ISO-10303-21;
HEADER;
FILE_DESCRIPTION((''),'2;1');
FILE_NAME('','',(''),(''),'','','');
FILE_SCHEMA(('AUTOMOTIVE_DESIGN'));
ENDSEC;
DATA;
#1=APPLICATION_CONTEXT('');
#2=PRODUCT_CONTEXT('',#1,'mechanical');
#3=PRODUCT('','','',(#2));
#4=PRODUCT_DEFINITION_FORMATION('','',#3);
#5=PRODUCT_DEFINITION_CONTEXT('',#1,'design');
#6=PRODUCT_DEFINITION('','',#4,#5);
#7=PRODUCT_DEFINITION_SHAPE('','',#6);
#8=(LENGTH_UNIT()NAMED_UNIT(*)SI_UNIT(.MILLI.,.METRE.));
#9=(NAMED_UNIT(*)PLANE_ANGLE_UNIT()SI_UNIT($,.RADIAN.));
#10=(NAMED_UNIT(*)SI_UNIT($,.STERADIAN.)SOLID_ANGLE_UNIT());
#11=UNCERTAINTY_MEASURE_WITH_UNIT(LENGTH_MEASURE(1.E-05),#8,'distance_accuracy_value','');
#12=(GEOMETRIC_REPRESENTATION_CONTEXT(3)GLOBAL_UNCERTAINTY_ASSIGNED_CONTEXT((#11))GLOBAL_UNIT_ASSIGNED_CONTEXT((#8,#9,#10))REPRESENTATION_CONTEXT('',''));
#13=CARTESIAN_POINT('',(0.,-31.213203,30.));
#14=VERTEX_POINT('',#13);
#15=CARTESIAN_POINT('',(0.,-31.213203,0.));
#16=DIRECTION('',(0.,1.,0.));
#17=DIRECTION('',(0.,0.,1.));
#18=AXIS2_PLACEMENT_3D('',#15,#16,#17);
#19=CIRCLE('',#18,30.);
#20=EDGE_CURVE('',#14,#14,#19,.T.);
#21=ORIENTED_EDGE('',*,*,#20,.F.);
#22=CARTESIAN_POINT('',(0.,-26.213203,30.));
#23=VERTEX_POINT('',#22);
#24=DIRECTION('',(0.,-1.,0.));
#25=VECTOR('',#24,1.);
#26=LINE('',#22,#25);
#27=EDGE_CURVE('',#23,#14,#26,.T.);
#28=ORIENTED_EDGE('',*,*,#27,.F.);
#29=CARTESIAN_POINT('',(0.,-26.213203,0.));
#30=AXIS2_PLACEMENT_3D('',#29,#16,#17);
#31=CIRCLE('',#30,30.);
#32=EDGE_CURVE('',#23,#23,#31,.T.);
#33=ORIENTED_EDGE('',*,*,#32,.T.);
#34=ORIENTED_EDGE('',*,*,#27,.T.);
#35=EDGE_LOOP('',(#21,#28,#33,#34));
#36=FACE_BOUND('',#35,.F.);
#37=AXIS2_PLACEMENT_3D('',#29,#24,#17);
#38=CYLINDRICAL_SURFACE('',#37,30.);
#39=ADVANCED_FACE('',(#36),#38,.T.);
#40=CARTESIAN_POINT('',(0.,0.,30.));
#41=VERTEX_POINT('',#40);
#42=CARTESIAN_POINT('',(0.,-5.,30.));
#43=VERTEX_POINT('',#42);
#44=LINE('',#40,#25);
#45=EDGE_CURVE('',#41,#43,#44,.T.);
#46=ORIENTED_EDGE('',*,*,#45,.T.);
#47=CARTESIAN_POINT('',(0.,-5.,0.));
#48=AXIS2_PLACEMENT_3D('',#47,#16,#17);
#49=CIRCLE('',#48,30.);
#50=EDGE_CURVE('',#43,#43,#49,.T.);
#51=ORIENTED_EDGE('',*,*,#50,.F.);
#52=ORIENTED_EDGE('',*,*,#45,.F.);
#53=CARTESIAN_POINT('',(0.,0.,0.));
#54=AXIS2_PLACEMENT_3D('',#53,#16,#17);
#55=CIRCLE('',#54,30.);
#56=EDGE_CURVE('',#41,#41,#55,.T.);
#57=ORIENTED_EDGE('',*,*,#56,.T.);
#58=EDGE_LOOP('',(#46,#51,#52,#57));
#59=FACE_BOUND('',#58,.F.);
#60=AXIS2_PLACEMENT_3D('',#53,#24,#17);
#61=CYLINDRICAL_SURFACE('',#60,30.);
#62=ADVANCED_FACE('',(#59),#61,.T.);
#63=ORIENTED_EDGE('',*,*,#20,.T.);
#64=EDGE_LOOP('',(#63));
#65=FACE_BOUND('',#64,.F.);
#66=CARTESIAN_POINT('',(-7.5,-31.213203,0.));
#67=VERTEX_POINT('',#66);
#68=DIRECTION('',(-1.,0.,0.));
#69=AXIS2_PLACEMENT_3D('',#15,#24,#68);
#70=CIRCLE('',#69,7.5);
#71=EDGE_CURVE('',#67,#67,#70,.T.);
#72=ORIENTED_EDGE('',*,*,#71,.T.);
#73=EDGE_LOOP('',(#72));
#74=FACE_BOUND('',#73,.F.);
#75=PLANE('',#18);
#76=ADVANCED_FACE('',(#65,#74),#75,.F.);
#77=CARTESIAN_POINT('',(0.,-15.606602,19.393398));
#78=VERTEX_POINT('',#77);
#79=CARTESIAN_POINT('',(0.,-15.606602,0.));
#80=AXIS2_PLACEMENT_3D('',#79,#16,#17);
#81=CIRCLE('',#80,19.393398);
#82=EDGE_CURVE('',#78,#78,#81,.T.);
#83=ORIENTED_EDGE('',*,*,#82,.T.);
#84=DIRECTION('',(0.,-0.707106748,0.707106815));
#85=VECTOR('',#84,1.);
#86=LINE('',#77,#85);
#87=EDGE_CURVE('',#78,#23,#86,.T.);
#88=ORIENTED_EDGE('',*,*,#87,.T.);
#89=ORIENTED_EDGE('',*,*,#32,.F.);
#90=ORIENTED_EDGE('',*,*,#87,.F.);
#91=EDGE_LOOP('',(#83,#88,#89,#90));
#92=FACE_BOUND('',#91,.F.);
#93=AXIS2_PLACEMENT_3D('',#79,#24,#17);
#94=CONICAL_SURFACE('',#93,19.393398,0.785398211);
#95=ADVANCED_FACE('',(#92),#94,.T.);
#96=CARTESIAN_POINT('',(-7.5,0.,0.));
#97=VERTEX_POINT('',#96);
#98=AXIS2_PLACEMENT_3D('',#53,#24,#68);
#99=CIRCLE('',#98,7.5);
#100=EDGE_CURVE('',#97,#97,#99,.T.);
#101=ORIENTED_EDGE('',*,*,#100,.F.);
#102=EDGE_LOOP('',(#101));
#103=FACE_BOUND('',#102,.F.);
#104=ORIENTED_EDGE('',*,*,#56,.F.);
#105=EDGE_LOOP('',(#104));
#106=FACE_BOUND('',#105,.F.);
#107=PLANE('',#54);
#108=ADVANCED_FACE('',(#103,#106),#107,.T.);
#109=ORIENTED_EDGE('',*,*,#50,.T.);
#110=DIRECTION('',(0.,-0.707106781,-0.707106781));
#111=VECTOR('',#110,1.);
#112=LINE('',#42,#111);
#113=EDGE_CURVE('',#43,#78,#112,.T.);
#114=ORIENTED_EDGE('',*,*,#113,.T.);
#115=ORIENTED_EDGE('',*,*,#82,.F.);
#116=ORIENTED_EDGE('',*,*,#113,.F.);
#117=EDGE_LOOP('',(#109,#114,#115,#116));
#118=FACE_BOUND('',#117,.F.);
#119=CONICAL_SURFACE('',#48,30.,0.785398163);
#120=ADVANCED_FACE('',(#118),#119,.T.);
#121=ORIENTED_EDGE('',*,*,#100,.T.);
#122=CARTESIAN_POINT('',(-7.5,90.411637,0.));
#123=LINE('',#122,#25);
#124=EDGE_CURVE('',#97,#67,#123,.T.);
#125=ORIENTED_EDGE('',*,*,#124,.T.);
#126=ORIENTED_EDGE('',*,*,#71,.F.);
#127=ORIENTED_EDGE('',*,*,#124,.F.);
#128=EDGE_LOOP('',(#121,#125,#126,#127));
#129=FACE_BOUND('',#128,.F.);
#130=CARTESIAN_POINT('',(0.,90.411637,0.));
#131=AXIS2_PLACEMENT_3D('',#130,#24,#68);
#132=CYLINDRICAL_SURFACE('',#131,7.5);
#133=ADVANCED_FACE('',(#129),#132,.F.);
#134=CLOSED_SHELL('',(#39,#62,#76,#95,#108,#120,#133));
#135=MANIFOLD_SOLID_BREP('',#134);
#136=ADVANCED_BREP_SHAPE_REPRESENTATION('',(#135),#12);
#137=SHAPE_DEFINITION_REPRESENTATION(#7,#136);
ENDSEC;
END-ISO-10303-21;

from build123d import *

# Parameters (mm, degrees)
F3_D = 15


with BuildPart() as f1:
    # F0 (on Right) → F1 (revolve)
    with BuildSketch(Plane.YZ):
        Polygon((-31.213203, 0), (0, 0), (0, 30), (-5, 30), (-15.606602, 19.393398), (-26.213203, 30), (-31.213203, 30), align=None)
    revolve(axis=Axis((0, -15.606602, 0), (0, 1, 0)))

    # F3 (through all)
    with Locations(Plane(origin=(0, 0, 0), x_dir=(1, 0, 0), z_dir=(0, 1, 0))):
        with Locations((0, 0)):
            Hole(F3_D / 2)


solid = f1.part
